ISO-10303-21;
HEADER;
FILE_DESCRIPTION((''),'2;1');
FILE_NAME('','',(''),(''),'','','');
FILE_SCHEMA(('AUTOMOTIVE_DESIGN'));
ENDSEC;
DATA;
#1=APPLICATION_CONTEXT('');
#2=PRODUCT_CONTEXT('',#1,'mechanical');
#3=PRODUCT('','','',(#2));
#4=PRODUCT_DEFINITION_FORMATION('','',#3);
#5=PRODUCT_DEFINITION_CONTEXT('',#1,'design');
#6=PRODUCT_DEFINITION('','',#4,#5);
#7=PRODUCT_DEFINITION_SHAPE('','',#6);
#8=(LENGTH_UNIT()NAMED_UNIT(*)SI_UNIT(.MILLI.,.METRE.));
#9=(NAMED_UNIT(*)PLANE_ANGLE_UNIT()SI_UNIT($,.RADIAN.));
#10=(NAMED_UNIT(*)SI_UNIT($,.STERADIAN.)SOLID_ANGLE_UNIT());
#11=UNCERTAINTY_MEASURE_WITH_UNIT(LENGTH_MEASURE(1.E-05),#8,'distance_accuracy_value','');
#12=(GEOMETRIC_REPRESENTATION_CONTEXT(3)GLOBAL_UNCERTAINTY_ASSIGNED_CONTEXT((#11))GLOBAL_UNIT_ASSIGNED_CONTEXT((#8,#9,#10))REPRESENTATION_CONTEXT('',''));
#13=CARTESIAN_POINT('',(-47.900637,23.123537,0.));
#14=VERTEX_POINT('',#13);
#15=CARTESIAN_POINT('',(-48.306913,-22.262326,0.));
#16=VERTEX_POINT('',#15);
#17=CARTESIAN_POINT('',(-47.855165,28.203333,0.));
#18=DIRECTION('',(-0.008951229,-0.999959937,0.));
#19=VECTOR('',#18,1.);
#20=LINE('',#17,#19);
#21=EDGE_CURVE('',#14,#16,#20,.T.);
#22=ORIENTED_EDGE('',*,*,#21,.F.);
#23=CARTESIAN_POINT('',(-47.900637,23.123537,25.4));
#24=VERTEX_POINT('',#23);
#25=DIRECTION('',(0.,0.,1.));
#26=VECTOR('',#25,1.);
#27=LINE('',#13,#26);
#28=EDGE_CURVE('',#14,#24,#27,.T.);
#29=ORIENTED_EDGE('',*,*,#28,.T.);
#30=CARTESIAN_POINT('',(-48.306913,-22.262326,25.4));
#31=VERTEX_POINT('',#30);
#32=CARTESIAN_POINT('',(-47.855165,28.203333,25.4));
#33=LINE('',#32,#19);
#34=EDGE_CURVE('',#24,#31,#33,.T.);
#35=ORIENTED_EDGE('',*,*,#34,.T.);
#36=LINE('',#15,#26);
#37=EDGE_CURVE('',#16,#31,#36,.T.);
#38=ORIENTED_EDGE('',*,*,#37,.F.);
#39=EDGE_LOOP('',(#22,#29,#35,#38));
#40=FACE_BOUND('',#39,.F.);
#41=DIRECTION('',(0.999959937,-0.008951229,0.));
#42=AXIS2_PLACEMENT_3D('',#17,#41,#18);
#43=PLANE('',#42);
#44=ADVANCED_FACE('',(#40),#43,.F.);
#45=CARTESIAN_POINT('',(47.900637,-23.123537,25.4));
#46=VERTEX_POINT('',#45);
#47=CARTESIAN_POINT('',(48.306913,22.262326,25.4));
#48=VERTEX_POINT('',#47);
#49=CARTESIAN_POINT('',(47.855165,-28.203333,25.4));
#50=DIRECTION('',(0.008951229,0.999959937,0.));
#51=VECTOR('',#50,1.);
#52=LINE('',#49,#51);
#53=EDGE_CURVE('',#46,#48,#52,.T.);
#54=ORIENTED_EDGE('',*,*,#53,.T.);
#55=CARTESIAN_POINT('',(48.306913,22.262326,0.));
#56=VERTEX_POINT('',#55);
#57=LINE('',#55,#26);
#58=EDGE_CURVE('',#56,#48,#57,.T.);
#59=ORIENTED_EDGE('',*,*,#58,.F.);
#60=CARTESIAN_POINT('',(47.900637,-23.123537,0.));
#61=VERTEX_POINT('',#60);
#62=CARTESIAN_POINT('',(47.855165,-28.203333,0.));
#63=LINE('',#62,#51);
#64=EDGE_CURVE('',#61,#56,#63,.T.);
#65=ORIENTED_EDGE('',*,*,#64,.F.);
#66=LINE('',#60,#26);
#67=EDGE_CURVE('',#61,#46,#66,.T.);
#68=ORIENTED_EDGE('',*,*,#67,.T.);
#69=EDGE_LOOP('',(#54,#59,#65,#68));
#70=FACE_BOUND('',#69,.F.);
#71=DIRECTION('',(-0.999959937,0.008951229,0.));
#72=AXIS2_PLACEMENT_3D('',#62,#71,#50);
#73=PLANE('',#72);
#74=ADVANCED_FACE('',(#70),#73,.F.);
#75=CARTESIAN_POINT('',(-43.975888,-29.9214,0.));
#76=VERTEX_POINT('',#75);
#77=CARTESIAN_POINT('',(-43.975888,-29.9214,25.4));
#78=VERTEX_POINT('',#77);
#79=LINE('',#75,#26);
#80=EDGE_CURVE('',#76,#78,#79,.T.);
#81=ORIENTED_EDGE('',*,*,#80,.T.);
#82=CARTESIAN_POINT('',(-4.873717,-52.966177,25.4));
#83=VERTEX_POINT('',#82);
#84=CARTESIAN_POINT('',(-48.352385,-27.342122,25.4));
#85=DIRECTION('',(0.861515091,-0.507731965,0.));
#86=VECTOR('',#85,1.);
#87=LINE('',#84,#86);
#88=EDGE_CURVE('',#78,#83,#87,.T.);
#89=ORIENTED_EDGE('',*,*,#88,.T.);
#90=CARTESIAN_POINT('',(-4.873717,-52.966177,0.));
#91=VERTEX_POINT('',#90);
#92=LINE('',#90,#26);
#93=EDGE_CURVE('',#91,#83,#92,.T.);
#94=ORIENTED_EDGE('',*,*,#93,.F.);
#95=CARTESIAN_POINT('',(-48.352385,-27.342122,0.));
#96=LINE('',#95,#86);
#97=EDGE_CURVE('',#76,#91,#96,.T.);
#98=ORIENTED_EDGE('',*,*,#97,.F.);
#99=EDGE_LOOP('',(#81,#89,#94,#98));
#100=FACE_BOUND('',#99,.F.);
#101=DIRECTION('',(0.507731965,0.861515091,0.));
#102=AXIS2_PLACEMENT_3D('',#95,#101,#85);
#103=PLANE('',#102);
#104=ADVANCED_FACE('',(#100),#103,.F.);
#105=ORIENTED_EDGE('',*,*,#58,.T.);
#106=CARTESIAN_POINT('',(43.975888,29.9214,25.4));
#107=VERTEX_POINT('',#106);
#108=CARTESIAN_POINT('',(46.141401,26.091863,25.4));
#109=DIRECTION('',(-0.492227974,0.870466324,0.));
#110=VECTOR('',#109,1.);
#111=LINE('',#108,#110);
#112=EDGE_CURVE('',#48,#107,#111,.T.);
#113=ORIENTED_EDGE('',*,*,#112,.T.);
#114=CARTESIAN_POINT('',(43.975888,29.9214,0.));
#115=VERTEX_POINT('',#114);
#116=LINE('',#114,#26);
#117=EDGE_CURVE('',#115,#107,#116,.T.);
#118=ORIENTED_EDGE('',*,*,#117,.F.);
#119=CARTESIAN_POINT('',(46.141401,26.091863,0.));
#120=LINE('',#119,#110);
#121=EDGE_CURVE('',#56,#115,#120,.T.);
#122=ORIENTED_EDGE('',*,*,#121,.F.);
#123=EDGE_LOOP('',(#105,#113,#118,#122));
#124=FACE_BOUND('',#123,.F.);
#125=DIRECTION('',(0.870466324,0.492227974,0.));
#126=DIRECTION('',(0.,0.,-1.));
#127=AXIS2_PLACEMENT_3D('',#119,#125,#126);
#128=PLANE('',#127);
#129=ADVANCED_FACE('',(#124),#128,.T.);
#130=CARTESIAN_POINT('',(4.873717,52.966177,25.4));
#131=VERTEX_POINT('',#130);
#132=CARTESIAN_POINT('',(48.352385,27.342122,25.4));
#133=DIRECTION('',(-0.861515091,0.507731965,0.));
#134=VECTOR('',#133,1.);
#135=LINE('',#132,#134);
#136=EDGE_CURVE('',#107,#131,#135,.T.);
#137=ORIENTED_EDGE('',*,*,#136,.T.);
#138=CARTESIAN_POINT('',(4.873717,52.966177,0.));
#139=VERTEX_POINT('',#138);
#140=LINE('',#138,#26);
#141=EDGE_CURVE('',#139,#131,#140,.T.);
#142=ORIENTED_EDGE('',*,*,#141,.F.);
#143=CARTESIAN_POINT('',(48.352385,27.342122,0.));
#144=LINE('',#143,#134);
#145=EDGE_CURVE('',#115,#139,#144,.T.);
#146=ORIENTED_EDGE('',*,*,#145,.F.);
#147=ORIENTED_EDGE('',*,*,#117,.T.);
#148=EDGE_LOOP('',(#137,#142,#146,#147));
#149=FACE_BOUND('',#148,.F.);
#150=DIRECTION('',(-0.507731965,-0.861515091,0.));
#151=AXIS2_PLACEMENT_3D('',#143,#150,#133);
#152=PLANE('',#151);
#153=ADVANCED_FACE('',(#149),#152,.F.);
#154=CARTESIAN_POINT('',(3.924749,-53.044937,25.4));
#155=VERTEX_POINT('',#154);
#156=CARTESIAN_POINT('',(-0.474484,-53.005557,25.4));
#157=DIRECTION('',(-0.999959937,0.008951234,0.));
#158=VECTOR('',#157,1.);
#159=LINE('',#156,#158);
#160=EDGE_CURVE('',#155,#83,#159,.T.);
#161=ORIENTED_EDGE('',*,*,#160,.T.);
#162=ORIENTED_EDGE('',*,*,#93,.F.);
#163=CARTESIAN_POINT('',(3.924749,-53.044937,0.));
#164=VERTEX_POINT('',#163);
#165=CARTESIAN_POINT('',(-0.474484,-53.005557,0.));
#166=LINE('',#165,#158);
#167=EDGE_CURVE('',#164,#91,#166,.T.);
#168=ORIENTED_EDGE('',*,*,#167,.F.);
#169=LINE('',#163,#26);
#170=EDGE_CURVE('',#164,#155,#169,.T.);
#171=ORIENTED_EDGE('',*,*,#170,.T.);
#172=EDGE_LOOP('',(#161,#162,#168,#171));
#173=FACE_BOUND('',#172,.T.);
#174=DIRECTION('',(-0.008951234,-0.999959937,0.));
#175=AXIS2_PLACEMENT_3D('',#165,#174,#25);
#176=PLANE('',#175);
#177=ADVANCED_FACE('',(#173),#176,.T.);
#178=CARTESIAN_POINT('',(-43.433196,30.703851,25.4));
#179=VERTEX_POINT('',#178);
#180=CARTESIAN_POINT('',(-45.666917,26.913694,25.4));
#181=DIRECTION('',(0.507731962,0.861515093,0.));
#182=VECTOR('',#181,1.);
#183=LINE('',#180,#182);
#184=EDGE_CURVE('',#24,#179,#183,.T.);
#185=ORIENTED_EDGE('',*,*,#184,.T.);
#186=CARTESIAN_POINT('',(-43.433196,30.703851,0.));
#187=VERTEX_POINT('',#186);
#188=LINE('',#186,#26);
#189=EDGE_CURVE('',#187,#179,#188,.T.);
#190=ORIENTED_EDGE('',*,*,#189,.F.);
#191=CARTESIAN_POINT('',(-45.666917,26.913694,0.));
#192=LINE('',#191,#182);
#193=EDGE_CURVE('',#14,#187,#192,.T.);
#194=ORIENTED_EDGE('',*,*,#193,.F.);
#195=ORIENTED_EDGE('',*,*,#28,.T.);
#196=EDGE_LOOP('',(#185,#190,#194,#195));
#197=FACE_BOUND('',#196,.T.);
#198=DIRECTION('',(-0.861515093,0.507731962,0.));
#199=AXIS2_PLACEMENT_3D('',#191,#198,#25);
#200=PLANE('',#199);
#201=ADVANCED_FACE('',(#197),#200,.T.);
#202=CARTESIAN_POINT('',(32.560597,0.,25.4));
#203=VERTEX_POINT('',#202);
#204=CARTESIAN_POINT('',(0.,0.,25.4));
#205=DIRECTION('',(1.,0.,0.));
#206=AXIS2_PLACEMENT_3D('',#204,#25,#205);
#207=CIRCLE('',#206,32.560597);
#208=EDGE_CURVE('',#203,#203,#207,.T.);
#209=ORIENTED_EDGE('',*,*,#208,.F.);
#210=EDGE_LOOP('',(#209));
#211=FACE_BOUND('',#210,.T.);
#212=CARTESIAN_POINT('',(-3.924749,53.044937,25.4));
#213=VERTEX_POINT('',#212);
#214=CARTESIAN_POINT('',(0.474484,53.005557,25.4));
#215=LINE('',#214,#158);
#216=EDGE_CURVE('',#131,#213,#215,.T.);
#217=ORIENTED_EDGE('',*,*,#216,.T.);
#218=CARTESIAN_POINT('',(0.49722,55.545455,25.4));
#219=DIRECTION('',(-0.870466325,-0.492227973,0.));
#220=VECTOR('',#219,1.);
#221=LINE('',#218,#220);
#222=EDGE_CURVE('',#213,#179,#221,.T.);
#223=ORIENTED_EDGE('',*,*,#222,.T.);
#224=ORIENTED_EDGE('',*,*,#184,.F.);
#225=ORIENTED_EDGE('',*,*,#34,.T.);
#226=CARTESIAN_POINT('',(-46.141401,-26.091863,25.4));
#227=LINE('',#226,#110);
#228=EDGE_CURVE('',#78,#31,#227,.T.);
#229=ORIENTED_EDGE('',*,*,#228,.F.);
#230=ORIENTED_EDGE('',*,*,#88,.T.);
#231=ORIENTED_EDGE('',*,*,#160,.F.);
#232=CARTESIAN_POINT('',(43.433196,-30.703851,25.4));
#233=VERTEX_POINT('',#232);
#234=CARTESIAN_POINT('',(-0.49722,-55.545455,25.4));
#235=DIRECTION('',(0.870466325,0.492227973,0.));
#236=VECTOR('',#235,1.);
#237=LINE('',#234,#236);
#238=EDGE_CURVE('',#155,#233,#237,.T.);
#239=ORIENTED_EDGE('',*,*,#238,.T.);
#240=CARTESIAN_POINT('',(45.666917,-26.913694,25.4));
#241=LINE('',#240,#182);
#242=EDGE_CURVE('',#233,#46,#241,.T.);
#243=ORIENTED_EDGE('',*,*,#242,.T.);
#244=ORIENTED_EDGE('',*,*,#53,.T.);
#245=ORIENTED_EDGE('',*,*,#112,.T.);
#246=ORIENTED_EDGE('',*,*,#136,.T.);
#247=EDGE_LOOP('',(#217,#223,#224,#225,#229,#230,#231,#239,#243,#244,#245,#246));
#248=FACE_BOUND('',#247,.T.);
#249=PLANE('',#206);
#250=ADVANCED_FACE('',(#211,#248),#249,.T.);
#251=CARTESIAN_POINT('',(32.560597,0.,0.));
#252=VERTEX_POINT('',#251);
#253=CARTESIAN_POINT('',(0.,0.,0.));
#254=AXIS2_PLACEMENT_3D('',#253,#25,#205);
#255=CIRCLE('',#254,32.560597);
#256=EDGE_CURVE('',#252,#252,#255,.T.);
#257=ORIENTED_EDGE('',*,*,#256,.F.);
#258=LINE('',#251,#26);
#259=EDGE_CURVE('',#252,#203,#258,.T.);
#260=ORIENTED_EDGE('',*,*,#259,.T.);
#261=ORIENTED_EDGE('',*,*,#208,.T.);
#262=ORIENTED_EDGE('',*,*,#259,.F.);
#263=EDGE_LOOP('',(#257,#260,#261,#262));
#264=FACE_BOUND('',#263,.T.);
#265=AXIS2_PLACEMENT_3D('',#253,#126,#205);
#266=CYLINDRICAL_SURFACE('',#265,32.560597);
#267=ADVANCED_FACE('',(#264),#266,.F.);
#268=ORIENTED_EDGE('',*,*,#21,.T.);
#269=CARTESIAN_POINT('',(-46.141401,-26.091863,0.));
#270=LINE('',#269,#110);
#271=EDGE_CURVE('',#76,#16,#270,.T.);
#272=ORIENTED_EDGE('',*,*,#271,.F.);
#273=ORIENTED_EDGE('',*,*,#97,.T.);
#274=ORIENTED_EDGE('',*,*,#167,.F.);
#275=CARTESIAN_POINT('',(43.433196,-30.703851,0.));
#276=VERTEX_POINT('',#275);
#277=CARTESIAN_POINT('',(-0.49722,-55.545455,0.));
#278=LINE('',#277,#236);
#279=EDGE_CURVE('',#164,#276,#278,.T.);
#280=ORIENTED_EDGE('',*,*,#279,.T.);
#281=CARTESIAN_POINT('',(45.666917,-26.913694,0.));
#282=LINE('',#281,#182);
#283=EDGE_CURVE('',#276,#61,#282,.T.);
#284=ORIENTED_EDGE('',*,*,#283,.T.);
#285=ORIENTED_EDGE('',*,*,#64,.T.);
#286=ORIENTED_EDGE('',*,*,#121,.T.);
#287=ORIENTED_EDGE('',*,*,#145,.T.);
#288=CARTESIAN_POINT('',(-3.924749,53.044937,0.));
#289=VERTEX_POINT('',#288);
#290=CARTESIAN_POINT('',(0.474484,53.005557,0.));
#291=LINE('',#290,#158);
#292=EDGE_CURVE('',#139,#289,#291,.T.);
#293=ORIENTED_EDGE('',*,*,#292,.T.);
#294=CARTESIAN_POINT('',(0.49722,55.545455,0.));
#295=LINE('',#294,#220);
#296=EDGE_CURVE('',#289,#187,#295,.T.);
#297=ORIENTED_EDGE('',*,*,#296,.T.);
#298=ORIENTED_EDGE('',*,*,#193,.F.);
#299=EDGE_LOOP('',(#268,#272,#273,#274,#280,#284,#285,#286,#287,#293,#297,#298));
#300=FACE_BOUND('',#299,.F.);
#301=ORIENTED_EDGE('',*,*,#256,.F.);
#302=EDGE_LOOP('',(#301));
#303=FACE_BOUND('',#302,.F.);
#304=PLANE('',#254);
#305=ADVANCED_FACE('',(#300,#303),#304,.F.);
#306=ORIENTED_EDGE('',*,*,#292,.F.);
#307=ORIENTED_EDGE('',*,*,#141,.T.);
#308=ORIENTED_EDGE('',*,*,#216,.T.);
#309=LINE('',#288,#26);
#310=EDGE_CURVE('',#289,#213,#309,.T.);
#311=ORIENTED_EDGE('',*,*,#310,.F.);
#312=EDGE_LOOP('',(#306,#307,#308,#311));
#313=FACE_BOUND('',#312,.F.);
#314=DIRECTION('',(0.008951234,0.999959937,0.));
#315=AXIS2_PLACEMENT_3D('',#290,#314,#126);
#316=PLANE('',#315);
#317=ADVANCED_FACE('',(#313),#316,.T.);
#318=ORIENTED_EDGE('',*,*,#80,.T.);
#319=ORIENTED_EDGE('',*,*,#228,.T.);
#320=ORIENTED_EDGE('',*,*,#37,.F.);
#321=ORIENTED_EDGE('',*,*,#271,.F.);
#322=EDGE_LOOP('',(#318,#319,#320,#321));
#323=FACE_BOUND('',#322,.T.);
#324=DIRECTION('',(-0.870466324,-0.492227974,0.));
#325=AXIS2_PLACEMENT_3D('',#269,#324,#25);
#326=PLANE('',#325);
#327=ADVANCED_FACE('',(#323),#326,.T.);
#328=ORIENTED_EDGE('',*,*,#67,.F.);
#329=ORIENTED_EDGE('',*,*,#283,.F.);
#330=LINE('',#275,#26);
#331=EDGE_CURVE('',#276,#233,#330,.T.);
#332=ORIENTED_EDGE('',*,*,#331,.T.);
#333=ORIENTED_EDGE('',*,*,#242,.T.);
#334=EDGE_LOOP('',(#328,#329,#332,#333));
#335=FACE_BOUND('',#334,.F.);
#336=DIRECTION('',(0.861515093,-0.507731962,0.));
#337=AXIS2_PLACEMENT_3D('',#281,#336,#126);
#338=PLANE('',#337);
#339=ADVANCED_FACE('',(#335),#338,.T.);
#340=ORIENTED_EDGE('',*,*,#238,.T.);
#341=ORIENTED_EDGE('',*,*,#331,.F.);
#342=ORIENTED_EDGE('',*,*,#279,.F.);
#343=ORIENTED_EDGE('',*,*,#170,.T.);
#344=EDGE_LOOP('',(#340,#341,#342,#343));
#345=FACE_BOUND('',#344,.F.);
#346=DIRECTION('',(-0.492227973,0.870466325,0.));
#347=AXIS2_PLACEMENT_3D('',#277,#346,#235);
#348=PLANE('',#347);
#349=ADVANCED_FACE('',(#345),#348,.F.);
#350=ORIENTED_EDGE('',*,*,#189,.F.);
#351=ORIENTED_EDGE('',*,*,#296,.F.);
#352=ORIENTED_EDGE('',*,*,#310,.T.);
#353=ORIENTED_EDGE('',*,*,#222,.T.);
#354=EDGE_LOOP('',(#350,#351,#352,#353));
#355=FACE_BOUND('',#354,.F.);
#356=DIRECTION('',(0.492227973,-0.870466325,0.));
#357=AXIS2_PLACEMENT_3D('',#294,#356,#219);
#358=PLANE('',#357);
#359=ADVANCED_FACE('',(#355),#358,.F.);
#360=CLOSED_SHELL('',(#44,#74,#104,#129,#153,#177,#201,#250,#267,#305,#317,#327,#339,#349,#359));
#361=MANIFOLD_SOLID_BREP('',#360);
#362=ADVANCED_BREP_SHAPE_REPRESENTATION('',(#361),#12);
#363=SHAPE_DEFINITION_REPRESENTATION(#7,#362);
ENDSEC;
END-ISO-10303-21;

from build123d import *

# Parameters (mm, degrees)
F0_R     = 32.560597
F1_DEPTH = 25.4
F2_SIZE2 = 5.08
F2_SIZE  = 5.08


with BuildPart() as f1:
    # F0 (on Top) → F1 (new body)
    with BuildSketch(Plane.XY):
        Polygon((-0.49722, -55.545455), (47.855165, -28.203333), (48.352385, 27.342122), (0.49722, 55.545455), (-47.855165, 28.203333), (-48.352385, -27.342122), align=None)
        Circle(F0_R, mode=Mode.SUBTRACT)
    extrude(amount=F1_DEPTH)

    # F2
    f2_edges = [f1.edges().sort_by_distance(p)[0] for p in [
        (-48.352385, -27.342122, 12.7),
        (-47.855165, 28.203333, 12.7),
        (-0.49722, -55.545455, 12.7),
        (0.49722, 55.545455, 12.7),
        (48.352385, 27.342122, 12.7),
        (47.855165, -28.203333, 12.7),
    ]]
    chamfer(f2_edges, length=F2_SIZE, length2=F2_SIZE2)


solid = f1.part
